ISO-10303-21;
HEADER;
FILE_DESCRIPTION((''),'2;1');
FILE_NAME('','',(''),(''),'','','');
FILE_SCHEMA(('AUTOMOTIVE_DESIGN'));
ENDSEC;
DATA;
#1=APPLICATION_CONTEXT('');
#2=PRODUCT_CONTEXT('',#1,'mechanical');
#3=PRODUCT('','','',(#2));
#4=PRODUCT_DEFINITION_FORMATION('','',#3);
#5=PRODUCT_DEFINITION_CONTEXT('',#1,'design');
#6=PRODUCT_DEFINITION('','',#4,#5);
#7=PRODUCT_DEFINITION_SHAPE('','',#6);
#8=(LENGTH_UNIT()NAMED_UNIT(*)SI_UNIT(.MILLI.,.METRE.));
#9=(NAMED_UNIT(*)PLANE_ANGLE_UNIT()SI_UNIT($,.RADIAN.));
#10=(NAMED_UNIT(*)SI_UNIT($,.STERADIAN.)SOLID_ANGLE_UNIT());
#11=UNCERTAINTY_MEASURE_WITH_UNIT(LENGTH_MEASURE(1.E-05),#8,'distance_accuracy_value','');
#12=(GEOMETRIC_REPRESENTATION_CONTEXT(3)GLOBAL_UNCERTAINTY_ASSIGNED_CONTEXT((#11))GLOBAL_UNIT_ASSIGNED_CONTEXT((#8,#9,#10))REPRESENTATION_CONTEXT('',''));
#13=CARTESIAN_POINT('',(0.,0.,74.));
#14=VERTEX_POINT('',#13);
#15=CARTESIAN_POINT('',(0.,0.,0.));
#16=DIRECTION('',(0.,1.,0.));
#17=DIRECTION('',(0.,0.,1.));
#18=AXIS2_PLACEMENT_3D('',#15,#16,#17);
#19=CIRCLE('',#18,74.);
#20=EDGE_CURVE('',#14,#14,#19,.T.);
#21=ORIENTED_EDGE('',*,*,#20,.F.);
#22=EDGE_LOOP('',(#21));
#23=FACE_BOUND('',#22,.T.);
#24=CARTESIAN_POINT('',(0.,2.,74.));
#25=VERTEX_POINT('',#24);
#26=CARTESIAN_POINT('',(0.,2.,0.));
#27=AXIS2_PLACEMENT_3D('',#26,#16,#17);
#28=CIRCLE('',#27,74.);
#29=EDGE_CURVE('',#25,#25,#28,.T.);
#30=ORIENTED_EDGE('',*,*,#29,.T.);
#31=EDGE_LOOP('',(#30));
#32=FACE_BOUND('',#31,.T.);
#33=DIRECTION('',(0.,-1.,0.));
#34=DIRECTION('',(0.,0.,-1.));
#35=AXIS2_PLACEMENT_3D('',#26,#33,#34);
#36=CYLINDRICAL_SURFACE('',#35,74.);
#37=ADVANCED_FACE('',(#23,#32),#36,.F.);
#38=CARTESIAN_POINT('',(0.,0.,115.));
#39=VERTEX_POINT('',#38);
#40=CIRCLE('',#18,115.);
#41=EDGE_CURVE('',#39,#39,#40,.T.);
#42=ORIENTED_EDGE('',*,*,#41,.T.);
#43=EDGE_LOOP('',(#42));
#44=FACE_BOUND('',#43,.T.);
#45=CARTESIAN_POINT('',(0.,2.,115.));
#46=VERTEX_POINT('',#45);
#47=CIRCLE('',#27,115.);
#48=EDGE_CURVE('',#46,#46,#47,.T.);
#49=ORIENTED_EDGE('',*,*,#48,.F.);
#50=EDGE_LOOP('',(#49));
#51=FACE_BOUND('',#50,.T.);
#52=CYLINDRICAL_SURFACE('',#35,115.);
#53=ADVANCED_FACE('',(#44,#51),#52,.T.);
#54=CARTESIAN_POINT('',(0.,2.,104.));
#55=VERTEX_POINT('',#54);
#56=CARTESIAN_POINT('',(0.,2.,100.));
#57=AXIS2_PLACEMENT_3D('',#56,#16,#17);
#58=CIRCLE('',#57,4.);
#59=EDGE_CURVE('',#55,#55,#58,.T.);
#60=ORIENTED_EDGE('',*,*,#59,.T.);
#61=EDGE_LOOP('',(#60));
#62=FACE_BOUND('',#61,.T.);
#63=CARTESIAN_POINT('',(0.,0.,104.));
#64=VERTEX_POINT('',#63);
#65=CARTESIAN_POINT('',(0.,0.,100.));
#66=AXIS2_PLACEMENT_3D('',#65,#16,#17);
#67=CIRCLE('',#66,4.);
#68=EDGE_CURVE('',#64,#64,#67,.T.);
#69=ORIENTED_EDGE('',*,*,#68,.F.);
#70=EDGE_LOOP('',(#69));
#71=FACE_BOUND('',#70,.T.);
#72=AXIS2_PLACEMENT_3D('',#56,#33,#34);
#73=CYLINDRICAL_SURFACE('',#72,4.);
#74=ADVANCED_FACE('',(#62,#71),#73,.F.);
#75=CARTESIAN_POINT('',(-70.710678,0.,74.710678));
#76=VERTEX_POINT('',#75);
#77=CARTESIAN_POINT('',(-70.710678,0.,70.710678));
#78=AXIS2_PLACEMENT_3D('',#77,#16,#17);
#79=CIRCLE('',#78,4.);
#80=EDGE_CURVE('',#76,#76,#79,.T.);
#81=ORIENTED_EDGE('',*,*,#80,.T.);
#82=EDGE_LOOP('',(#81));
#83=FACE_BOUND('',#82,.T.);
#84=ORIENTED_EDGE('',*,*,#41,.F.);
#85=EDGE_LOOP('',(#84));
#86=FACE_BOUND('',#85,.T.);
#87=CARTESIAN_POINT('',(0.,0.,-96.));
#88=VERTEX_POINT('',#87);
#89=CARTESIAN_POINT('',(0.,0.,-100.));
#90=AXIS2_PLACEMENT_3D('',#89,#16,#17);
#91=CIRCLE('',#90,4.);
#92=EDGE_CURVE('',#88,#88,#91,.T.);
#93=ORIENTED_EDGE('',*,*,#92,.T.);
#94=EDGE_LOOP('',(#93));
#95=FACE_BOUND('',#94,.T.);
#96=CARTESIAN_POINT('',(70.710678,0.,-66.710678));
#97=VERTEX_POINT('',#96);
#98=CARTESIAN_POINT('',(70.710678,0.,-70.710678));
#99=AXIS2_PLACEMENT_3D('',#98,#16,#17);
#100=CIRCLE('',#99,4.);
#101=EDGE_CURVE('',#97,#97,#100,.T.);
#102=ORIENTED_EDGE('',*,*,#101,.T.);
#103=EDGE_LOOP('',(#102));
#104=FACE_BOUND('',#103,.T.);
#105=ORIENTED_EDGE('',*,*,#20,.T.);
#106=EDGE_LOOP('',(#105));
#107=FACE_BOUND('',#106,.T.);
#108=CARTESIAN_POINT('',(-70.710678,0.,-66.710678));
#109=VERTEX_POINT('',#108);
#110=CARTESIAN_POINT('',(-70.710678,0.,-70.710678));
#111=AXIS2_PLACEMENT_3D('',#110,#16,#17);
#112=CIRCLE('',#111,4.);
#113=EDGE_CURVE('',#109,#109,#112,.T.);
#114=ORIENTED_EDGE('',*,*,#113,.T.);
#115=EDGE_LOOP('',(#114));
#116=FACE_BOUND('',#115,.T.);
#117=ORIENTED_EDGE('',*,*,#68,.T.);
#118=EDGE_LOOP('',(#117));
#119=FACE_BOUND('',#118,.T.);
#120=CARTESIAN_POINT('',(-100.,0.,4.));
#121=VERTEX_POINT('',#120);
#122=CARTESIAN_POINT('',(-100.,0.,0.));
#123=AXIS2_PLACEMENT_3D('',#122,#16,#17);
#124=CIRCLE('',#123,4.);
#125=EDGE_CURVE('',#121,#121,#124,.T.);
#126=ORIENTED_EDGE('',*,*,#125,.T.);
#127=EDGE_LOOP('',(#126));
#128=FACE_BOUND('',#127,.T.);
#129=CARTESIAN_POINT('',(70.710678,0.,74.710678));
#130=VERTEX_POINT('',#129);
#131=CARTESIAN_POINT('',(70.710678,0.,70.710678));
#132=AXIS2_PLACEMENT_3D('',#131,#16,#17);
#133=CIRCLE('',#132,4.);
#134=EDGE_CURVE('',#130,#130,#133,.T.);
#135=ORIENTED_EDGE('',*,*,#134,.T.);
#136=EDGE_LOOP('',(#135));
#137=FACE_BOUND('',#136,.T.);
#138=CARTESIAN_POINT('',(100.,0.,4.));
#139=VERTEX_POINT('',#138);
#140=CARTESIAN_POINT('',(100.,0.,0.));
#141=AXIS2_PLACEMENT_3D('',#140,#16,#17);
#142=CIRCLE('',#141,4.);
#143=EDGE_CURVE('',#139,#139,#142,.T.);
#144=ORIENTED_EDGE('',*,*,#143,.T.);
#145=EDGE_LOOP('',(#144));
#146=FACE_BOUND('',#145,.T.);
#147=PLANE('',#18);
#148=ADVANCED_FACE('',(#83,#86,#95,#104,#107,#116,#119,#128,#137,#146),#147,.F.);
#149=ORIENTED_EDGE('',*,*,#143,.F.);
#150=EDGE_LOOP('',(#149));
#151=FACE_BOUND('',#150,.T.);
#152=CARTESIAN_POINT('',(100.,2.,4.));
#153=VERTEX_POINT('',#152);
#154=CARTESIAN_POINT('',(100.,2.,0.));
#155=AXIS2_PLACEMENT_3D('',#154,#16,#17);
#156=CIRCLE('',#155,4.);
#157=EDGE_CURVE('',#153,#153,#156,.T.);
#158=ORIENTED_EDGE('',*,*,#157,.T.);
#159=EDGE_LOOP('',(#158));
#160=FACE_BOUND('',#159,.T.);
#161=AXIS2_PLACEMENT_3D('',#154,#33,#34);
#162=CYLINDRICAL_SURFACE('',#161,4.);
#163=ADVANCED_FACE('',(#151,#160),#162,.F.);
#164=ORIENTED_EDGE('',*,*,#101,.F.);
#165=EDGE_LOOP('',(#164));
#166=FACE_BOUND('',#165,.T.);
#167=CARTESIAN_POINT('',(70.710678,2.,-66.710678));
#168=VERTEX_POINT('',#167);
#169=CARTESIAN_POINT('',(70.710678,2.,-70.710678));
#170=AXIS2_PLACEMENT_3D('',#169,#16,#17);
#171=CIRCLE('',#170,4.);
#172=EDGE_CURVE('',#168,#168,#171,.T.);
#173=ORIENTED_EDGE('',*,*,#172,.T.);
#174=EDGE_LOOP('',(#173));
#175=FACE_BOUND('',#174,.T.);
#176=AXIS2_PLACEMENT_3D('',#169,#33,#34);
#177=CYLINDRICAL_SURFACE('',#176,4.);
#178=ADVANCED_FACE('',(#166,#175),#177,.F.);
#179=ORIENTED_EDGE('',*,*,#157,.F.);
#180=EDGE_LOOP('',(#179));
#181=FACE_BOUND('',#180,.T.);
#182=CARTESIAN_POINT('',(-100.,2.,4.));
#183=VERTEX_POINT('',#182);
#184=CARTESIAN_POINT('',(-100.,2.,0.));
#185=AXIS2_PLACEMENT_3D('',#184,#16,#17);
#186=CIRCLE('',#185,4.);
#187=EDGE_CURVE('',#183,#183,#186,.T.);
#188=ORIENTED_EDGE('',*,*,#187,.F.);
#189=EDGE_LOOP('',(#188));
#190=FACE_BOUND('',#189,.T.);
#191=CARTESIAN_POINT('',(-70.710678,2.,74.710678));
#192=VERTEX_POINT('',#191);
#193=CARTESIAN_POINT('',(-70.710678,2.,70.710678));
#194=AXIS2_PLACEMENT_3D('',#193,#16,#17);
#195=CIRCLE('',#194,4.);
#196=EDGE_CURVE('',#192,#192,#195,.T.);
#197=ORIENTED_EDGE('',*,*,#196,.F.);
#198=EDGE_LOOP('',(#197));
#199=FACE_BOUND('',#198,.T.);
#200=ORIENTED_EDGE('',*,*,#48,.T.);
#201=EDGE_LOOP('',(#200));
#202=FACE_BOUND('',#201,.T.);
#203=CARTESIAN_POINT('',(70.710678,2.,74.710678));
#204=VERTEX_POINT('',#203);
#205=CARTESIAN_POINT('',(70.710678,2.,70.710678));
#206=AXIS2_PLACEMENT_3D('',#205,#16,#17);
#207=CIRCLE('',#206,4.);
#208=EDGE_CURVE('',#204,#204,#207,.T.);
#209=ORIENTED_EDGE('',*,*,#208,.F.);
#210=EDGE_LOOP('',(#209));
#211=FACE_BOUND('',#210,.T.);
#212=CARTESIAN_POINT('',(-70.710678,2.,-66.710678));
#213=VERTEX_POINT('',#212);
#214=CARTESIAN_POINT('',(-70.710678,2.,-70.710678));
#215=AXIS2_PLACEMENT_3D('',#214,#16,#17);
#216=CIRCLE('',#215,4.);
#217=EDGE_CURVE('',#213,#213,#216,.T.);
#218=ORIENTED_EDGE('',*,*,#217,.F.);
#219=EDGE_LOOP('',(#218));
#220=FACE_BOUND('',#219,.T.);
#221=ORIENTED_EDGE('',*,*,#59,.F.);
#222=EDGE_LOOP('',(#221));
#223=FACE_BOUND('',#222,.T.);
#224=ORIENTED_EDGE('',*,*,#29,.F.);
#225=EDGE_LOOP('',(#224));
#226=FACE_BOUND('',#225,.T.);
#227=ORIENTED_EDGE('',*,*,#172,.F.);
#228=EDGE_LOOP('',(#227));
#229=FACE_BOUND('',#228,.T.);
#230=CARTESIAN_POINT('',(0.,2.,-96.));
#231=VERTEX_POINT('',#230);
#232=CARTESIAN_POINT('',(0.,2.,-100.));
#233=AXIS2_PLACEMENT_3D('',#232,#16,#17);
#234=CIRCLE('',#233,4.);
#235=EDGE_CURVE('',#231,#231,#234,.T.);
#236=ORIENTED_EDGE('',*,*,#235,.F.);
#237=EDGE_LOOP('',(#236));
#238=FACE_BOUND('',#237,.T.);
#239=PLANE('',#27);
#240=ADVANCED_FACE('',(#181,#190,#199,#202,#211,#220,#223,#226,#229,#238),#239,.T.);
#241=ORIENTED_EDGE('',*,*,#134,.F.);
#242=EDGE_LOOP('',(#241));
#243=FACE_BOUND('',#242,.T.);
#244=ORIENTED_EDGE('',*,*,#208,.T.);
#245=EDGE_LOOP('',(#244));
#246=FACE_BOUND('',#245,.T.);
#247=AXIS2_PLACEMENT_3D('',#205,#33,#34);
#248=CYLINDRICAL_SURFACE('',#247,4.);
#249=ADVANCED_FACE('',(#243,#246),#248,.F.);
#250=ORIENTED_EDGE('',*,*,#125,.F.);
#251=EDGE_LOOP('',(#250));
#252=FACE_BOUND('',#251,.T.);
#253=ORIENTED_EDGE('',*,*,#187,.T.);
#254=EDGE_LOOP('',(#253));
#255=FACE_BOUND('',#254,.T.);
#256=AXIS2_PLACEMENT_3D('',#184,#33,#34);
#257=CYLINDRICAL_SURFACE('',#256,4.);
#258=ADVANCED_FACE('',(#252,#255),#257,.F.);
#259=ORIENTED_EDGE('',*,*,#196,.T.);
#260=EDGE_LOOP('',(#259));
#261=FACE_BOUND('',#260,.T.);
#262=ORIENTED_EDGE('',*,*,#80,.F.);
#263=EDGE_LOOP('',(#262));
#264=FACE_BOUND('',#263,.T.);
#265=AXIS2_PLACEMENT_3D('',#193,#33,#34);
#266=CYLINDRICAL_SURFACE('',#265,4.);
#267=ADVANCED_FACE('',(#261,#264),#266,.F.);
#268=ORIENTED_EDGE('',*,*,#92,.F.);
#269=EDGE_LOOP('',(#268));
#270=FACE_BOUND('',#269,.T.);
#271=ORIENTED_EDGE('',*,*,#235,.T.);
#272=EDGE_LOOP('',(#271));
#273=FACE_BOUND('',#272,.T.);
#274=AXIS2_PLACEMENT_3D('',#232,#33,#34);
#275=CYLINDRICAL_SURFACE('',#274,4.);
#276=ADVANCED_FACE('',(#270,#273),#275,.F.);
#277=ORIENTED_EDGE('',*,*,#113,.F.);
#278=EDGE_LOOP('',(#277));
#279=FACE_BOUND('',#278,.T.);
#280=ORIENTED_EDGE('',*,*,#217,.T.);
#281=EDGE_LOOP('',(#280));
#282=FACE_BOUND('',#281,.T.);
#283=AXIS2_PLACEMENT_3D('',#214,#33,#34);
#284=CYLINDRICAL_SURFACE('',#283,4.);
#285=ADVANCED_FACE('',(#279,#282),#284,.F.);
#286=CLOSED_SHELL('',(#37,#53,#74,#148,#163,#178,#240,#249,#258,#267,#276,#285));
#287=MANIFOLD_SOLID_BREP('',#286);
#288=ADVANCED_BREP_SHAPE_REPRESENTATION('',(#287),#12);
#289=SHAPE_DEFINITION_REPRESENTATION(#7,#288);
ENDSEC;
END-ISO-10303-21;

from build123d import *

# Parameters (mm, degrees)
SKETCH1_R           = 115
SKETCH1_R_2         = 74
SKETCH1_R_3         = 4
BOSS_EXTRUDE1_DEPTH = 2


with BuildPart() as part:
    # Sketch1 → Boss-Extrude1 (new body)
    with BuildSketch(Plane(origin=(0, 0, 0), x_dir=(1, 0, 0), z_dir=(0, 1, 0))):
        with Locations(Location((0, 0, 0), (0, 0, 270))):
            Circle(SKETCH1_R)
        with Locations(Location((0, 0, 0), (0, 0, 270))):
            Circle(SKETCH1_R_2, mode=Mode.SUBTRACT)
        with Locations(Location((-100, 0, 0), (0, 0, 270))):
            Circle(SKETCH1_R_3, mode=Mode.SUBTRACT)
        with Locations(Location((-70.710678119, 70.710678119, 0), (0, 0, 270))):
            Circle(SKETCH1_R_3, mode=Mode.SUBTRACT)
        with Locations(Location((0, 100, 0), (0, 0, 270))):
            Circle(SKETCH1_R_3, mode=Mode.SUBTRACT)
        with Locations(Location((70.710678119, 70.710678119, 0), (0, 0, 270))):
            Circle(SKETCH1_R_3, mode=Mode.SUBTRACT)
        with Locations(Location((100, 0, 0), (0, 0, 270))):
            Circle(SKETCH1_R_3, mode=Mode.SUBTRACT)
        with Locations(Location((70.710678119, -70.710678119, 0), (0, 0, 270))):
            Circle(SKETCH1_R_3, mode=Mode.SUBTRACT)
        with Locations(Location((0, -100, 0), (0, 0, 270))):
            Circle(SKETCH1_R_3, mode=Mode.SUBTRACT)
        with Locations(Location((-70.710678119, -70.710678119, 0), (0, 0, 270))):
            Circle(SKETCH1_R_3, mode=Mode.SUBTRACT)
    extrude(amount=BOSS_EXTRUDE1_DEPTH)


solid = part.part
